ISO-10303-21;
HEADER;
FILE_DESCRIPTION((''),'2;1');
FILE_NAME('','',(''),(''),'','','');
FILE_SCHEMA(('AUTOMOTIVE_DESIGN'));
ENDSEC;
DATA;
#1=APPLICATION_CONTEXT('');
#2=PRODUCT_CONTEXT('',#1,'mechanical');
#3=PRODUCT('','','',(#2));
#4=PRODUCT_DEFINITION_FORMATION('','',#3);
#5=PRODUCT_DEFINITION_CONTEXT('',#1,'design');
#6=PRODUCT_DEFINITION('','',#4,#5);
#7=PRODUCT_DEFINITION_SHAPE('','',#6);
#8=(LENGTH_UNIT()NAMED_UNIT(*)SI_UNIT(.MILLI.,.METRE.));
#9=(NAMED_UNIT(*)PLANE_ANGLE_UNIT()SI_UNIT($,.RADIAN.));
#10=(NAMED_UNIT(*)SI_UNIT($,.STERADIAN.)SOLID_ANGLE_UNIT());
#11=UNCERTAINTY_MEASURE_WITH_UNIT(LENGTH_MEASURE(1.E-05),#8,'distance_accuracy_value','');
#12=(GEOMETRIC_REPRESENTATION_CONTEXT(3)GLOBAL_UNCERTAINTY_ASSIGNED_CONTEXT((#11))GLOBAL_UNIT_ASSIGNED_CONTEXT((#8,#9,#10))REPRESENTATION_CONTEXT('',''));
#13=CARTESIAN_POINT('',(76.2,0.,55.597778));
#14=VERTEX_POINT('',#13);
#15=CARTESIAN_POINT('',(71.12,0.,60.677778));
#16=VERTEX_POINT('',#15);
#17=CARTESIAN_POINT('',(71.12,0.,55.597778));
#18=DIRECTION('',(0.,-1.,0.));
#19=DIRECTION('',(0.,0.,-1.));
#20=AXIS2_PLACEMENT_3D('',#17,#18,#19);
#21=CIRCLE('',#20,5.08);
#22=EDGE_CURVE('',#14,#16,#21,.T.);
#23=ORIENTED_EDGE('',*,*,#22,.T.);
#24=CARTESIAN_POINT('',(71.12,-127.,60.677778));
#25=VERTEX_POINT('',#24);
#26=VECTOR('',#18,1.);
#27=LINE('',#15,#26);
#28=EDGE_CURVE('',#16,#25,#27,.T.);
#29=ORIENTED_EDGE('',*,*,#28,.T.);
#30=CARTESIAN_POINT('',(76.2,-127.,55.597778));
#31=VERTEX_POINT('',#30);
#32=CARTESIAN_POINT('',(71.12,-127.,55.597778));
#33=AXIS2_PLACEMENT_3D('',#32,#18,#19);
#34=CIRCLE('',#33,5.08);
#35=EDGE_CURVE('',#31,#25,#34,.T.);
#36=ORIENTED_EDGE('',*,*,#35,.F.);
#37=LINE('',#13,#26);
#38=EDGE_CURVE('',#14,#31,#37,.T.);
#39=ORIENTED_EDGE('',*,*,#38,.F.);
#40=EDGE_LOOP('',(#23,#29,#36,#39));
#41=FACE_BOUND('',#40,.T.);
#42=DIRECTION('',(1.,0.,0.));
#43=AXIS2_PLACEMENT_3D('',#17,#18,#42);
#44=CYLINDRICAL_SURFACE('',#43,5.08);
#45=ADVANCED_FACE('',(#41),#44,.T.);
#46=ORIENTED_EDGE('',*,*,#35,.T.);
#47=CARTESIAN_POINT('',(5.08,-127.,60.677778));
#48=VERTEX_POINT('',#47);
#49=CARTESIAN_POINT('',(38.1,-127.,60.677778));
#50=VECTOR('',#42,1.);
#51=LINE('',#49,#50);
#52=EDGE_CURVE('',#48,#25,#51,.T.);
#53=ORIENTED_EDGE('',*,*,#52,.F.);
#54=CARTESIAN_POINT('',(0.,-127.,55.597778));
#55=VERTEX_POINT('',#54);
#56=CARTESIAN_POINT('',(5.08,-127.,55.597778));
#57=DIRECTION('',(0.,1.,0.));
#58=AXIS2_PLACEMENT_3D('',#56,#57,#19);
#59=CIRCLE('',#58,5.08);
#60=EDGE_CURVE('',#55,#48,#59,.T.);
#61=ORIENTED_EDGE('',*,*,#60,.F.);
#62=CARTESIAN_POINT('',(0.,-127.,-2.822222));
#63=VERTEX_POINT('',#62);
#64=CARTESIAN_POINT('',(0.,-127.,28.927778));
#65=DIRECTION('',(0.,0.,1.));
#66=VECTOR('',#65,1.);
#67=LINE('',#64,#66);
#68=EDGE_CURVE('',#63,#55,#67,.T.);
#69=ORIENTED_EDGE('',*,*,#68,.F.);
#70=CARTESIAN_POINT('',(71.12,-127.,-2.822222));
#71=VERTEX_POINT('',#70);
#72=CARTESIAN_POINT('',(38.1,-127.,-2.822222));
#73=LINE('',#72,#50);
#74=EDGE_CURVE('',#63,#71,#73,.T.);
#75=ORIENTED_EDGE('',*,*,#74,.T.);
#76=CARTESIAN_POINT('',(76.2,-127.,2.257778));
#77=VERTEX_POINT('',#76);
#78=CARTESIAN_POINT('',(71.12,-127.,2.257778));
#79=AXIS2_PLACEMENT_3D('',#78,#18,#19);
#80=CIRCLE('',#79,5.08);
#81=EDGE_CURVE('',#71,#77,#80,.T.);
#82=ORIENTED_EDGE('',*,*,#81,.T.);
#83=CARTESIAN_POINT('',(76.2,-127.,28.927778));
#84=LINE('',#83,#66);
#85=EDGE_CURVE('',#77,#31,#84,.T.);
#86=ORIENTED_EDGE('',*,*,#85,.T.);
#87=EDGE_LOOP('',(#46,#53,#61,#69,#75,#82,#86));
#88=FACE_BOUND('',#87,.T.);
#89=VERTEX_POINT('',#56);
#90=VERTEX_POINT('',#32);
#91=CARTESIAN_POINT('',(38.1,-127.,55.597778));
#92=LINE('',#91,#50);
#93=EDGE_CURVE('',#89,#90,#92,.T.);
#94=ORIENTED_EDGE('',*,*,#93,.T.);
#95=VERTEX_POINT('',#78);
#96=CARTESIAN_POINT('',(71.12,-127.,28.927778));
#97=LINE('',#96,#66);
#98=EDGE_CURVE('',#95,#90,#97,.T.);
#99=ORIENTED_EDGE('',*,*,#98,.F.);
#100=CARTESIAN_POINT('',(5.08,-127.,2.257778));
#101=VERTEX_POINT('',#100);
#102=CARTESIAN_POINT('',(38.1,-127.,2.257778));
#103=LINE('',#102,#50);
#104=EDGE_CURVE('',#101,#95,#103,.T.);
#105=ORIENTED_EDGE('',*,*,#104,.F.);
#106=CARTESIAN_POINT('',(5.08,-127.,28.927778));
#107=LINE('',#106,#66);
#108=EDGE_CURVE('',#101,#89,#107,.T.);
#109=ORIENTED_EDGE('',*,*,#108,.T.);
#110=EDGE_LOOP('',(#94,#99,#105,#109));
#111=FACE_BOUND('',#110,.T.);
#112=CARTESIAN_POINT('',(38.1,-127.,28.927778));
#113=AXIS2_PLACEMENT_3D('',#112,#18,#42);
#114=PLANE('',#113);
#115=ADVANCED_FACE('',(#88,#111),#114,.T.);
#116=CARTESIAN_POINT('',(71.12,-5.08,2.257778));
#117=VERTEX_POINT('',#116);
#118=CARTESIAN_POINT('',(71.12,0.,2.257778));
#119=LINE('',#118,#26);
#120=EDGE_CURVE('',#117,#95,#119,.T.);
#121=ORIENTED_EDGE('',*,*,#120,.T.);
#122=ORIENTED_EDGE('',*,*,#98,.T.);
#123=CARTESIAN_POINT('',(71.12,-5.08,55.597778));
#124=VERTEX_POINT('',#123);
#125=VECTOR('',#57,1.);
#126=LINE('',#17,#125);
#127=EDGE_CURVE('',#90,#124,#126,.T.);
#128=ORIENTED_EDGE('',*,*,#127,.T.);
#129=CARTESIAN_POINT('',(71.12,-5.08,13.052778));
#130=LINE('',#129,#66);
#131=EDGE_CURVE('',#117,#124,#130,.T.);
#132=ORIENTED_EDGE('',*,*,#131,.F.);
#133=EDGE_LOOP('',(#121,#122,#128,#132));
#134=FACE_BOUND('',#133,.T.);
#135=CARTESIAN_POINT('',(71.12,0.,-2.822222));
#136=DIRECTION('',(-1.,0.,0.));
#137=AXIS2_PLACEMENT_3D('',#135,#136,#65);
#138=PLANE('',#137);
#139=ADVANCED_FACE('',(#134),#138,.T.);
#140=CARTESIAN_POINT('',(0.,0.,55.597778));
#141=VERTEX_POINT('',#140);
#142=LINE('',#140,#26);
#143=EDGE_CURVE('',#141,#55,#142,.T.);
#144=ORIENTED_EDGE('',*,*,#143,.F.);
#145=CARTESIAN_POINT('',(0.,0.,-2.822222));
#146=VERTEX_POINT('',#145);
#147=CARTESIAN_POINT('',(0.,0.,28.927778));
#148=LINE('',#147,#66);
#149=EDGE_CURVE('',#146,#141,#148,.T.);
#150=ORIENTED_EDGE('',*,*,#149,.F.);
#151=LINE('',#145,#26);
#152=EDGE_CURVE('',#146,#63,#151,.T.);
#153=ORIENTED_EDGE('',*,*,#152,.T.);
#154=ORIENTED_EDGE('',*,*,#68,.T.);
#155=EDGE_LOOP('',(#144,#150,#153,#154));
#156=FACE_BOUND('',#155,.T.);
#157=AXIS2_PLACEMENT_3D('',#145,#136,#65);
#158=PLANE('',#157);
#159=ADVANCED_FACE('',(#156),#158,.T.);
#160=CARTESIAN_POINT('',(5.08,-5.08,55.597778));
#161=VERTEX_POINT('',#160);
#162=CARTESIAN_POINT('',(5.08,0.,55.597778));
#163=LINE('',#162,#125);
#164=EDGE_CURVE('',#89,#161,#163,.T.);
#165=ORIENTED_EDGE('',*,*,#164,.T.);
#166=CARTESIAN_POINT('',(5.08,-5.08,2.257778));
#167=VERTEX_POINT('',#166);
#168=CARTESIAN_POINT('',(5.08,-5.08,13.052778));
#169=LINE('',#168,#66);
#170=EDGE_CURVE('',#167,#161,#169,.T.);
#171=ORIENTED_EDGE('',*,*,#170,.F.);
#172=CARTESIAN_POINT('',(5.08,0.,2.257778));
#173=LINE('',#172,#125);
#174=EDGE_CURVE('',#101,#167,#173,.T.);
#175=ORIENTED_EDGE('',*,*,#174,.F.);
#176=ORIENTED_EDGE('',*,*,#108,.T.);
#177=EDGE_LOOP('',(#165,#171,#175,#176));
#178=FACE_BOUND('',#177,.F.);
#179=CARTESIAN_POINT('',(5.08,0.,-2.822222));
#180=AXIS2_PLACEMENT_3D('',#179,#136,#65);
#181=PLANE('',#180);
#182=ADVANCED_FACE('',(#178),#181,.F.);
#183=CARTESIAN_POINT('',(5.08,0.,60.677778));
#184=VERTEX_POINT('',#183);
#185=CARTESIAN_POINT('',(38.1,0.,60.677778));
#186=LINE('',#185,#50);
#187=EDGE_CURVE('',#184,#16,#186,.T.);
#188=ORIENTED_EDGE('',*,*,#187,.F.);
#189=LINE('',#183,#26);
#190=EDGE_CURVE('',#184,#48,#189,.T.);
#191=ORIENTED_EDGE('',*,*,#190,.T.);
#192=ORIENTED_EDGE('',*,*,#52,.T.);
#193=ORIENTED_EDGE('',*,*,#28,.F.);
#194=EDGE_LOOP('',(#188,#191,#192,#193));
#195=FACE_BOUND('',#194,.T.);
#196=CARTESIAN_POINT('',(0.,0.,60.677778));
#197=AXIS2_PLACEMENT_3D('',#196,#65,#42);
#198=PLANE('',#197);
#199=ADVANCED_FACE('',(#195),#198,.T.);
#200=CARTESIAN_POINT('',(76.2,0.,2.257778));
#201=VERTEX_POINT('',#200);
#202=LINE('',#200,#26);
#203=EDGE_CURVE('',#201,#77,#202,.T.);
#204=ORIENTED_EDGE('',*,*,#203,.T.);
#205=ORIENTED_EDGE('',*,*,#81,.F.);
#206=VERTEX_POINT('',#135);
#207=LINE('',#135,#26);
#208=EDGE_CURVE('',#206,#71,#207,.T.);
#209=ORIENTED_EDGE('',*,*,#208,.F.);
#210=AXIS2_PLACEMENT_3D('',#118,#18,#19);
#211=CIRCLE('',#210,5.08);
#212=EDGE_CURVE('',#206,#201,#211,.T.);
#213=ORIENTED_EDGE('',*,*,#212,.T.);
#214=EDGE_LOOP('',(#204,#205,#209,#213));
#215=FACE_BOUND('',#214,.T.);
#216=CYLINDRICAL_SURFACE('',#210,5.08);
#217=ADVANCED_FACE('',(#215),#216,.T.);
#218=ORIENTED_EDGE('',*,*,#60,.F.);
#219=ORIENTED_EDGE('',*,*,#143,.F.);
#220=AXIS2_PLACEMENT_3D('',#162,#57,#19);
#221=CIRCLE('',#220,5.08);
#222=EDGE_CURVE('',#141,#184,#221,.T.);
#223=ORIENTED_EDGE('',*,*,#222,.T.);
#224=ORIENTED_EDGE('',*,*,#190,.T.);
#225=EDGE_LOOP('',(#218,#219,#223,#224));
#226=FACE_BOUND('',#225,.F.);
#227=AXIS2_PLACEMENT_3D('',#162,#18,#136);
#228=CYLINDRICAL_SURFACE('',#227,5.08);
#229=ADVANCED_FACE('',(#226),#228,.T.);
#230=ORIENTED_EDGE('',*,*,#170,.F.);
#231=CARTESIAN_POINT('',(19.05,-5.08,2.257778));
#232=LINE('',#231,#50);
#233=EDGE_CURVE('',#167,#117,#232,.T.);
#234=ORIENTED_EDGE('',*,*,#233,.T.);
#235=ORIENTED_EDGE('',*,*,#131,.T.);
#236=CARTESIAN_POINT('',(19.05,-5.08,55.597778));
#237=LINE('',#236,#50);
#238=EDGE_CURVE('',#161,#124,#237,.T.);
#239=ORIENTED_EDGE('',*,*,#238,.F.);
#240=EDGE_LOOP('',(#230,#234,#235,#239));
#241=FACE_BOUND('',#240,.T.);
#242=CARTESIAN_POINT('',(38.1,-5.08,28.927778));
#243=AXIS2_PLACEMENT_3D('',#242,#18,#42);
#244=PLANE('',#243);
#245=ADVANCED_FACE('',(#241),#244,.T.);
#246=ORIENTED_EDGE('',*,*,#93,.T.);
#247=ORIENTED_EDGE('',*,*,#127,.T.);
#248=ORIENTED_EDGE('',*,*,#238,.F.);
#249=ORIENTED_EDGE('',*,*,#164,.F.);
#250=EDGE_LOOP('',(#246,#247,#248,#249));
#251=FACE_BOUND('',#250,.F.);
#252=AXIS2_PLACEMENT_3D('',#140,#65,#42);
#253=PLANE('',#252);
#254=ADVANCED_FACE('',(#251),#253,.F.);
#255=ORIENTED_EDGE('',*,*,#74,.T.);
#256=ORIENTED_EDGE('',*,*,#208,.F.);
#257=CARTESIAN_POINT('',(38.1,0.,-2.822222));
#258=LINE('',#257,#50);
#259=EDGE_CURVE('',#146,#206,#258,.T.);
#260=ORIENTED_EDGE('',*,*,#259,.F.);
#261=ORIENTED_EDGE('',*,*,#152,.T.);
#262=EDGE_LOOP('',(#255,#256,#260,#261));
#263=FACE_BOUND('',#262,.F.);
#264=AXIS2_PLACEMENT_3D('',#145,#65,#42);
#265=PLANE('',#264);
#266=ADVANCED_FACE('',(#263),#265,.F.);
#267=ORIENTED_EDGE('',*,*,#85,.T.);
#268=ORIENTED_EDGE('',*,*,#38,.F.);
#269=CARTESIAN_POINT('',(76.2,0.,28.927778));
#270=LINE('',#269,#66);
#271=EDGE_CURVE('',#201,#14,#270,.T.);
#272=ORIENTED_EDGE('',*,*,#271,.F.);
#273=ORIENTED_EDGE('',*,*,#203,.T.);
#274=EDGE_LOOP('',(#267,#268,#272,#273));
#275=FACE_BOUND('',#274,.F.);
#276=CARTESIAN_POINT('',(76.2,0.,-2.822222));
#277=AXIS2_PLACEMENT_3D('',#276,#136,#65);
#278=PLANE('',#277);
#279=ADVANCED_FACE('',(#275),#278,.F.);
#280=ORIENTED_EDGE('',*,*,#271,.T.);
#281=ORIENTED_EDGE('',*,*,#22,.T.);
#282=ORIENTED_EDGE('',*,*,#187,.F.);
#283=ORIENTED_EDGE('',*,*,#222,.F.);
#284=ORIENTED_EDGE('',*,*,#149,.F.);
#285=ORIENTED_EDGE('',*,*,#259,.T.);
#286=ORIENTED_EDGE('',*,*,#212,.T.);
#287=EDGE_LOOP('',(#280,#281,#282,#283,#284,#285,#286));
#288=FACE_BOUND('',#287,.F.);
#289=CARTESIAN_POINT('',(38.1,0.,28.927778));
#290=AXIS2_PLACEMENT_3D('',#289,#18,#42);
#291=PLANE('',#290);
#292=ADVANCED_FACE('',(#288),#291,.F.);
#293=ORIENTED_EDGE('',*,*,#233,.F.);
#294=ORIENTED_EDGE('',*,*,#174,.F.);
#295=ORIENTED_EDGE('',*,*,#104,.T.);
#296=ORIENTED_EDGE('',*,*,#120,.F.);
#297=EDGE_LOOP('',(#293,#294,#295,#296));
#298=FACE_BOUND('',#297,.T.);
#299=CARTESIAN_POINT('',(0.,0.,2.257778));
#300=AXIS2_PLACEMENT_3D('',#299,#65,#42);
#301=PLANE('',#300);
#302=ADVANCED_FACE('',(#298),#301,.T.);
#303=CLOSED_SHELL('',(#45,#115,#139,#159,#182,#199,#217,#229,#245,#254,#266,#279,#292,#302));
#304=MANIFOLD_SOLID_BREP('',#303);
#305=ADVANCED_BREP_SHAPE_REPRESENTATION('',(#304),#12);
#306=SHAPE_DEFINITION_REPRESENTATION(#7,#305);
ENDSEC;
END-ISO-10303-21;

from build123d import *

# Parameters (mm, degrees)
F0_W     = 76.2
F0_H     = 63.5
F1_DEPTH = 127
F2_T     = -5.08
F3_R     = 5.08


with BuildPart() as f1:
    # F0 (on Front) → F1 (new body)
    with BuildSketch(Plane.XZ):
        with Locations((38.1, 28.927778)):
            Rectangle(F0_W, F0_H)
    extrude(amount=F1_DEPTH)

    # F2
    f2_openings = [f1.faces().sort_by_distance(p)[0] for p in [
        (38.1, -127, 28.927778),
    ]]
    offset(amount=F2_T, openings=f2_openings)

    # F3
    f3_edges = [f1.edges().sort_by_distance(p)[0] for p in [
        (76.2, -63.5, 60.677778),
        (0, -63.5, 60.677778),
        (76.2, -63.5, -2.822222),
    ]]
    fillet(f3_edges, radius=F3_R)


solid = f1.part
